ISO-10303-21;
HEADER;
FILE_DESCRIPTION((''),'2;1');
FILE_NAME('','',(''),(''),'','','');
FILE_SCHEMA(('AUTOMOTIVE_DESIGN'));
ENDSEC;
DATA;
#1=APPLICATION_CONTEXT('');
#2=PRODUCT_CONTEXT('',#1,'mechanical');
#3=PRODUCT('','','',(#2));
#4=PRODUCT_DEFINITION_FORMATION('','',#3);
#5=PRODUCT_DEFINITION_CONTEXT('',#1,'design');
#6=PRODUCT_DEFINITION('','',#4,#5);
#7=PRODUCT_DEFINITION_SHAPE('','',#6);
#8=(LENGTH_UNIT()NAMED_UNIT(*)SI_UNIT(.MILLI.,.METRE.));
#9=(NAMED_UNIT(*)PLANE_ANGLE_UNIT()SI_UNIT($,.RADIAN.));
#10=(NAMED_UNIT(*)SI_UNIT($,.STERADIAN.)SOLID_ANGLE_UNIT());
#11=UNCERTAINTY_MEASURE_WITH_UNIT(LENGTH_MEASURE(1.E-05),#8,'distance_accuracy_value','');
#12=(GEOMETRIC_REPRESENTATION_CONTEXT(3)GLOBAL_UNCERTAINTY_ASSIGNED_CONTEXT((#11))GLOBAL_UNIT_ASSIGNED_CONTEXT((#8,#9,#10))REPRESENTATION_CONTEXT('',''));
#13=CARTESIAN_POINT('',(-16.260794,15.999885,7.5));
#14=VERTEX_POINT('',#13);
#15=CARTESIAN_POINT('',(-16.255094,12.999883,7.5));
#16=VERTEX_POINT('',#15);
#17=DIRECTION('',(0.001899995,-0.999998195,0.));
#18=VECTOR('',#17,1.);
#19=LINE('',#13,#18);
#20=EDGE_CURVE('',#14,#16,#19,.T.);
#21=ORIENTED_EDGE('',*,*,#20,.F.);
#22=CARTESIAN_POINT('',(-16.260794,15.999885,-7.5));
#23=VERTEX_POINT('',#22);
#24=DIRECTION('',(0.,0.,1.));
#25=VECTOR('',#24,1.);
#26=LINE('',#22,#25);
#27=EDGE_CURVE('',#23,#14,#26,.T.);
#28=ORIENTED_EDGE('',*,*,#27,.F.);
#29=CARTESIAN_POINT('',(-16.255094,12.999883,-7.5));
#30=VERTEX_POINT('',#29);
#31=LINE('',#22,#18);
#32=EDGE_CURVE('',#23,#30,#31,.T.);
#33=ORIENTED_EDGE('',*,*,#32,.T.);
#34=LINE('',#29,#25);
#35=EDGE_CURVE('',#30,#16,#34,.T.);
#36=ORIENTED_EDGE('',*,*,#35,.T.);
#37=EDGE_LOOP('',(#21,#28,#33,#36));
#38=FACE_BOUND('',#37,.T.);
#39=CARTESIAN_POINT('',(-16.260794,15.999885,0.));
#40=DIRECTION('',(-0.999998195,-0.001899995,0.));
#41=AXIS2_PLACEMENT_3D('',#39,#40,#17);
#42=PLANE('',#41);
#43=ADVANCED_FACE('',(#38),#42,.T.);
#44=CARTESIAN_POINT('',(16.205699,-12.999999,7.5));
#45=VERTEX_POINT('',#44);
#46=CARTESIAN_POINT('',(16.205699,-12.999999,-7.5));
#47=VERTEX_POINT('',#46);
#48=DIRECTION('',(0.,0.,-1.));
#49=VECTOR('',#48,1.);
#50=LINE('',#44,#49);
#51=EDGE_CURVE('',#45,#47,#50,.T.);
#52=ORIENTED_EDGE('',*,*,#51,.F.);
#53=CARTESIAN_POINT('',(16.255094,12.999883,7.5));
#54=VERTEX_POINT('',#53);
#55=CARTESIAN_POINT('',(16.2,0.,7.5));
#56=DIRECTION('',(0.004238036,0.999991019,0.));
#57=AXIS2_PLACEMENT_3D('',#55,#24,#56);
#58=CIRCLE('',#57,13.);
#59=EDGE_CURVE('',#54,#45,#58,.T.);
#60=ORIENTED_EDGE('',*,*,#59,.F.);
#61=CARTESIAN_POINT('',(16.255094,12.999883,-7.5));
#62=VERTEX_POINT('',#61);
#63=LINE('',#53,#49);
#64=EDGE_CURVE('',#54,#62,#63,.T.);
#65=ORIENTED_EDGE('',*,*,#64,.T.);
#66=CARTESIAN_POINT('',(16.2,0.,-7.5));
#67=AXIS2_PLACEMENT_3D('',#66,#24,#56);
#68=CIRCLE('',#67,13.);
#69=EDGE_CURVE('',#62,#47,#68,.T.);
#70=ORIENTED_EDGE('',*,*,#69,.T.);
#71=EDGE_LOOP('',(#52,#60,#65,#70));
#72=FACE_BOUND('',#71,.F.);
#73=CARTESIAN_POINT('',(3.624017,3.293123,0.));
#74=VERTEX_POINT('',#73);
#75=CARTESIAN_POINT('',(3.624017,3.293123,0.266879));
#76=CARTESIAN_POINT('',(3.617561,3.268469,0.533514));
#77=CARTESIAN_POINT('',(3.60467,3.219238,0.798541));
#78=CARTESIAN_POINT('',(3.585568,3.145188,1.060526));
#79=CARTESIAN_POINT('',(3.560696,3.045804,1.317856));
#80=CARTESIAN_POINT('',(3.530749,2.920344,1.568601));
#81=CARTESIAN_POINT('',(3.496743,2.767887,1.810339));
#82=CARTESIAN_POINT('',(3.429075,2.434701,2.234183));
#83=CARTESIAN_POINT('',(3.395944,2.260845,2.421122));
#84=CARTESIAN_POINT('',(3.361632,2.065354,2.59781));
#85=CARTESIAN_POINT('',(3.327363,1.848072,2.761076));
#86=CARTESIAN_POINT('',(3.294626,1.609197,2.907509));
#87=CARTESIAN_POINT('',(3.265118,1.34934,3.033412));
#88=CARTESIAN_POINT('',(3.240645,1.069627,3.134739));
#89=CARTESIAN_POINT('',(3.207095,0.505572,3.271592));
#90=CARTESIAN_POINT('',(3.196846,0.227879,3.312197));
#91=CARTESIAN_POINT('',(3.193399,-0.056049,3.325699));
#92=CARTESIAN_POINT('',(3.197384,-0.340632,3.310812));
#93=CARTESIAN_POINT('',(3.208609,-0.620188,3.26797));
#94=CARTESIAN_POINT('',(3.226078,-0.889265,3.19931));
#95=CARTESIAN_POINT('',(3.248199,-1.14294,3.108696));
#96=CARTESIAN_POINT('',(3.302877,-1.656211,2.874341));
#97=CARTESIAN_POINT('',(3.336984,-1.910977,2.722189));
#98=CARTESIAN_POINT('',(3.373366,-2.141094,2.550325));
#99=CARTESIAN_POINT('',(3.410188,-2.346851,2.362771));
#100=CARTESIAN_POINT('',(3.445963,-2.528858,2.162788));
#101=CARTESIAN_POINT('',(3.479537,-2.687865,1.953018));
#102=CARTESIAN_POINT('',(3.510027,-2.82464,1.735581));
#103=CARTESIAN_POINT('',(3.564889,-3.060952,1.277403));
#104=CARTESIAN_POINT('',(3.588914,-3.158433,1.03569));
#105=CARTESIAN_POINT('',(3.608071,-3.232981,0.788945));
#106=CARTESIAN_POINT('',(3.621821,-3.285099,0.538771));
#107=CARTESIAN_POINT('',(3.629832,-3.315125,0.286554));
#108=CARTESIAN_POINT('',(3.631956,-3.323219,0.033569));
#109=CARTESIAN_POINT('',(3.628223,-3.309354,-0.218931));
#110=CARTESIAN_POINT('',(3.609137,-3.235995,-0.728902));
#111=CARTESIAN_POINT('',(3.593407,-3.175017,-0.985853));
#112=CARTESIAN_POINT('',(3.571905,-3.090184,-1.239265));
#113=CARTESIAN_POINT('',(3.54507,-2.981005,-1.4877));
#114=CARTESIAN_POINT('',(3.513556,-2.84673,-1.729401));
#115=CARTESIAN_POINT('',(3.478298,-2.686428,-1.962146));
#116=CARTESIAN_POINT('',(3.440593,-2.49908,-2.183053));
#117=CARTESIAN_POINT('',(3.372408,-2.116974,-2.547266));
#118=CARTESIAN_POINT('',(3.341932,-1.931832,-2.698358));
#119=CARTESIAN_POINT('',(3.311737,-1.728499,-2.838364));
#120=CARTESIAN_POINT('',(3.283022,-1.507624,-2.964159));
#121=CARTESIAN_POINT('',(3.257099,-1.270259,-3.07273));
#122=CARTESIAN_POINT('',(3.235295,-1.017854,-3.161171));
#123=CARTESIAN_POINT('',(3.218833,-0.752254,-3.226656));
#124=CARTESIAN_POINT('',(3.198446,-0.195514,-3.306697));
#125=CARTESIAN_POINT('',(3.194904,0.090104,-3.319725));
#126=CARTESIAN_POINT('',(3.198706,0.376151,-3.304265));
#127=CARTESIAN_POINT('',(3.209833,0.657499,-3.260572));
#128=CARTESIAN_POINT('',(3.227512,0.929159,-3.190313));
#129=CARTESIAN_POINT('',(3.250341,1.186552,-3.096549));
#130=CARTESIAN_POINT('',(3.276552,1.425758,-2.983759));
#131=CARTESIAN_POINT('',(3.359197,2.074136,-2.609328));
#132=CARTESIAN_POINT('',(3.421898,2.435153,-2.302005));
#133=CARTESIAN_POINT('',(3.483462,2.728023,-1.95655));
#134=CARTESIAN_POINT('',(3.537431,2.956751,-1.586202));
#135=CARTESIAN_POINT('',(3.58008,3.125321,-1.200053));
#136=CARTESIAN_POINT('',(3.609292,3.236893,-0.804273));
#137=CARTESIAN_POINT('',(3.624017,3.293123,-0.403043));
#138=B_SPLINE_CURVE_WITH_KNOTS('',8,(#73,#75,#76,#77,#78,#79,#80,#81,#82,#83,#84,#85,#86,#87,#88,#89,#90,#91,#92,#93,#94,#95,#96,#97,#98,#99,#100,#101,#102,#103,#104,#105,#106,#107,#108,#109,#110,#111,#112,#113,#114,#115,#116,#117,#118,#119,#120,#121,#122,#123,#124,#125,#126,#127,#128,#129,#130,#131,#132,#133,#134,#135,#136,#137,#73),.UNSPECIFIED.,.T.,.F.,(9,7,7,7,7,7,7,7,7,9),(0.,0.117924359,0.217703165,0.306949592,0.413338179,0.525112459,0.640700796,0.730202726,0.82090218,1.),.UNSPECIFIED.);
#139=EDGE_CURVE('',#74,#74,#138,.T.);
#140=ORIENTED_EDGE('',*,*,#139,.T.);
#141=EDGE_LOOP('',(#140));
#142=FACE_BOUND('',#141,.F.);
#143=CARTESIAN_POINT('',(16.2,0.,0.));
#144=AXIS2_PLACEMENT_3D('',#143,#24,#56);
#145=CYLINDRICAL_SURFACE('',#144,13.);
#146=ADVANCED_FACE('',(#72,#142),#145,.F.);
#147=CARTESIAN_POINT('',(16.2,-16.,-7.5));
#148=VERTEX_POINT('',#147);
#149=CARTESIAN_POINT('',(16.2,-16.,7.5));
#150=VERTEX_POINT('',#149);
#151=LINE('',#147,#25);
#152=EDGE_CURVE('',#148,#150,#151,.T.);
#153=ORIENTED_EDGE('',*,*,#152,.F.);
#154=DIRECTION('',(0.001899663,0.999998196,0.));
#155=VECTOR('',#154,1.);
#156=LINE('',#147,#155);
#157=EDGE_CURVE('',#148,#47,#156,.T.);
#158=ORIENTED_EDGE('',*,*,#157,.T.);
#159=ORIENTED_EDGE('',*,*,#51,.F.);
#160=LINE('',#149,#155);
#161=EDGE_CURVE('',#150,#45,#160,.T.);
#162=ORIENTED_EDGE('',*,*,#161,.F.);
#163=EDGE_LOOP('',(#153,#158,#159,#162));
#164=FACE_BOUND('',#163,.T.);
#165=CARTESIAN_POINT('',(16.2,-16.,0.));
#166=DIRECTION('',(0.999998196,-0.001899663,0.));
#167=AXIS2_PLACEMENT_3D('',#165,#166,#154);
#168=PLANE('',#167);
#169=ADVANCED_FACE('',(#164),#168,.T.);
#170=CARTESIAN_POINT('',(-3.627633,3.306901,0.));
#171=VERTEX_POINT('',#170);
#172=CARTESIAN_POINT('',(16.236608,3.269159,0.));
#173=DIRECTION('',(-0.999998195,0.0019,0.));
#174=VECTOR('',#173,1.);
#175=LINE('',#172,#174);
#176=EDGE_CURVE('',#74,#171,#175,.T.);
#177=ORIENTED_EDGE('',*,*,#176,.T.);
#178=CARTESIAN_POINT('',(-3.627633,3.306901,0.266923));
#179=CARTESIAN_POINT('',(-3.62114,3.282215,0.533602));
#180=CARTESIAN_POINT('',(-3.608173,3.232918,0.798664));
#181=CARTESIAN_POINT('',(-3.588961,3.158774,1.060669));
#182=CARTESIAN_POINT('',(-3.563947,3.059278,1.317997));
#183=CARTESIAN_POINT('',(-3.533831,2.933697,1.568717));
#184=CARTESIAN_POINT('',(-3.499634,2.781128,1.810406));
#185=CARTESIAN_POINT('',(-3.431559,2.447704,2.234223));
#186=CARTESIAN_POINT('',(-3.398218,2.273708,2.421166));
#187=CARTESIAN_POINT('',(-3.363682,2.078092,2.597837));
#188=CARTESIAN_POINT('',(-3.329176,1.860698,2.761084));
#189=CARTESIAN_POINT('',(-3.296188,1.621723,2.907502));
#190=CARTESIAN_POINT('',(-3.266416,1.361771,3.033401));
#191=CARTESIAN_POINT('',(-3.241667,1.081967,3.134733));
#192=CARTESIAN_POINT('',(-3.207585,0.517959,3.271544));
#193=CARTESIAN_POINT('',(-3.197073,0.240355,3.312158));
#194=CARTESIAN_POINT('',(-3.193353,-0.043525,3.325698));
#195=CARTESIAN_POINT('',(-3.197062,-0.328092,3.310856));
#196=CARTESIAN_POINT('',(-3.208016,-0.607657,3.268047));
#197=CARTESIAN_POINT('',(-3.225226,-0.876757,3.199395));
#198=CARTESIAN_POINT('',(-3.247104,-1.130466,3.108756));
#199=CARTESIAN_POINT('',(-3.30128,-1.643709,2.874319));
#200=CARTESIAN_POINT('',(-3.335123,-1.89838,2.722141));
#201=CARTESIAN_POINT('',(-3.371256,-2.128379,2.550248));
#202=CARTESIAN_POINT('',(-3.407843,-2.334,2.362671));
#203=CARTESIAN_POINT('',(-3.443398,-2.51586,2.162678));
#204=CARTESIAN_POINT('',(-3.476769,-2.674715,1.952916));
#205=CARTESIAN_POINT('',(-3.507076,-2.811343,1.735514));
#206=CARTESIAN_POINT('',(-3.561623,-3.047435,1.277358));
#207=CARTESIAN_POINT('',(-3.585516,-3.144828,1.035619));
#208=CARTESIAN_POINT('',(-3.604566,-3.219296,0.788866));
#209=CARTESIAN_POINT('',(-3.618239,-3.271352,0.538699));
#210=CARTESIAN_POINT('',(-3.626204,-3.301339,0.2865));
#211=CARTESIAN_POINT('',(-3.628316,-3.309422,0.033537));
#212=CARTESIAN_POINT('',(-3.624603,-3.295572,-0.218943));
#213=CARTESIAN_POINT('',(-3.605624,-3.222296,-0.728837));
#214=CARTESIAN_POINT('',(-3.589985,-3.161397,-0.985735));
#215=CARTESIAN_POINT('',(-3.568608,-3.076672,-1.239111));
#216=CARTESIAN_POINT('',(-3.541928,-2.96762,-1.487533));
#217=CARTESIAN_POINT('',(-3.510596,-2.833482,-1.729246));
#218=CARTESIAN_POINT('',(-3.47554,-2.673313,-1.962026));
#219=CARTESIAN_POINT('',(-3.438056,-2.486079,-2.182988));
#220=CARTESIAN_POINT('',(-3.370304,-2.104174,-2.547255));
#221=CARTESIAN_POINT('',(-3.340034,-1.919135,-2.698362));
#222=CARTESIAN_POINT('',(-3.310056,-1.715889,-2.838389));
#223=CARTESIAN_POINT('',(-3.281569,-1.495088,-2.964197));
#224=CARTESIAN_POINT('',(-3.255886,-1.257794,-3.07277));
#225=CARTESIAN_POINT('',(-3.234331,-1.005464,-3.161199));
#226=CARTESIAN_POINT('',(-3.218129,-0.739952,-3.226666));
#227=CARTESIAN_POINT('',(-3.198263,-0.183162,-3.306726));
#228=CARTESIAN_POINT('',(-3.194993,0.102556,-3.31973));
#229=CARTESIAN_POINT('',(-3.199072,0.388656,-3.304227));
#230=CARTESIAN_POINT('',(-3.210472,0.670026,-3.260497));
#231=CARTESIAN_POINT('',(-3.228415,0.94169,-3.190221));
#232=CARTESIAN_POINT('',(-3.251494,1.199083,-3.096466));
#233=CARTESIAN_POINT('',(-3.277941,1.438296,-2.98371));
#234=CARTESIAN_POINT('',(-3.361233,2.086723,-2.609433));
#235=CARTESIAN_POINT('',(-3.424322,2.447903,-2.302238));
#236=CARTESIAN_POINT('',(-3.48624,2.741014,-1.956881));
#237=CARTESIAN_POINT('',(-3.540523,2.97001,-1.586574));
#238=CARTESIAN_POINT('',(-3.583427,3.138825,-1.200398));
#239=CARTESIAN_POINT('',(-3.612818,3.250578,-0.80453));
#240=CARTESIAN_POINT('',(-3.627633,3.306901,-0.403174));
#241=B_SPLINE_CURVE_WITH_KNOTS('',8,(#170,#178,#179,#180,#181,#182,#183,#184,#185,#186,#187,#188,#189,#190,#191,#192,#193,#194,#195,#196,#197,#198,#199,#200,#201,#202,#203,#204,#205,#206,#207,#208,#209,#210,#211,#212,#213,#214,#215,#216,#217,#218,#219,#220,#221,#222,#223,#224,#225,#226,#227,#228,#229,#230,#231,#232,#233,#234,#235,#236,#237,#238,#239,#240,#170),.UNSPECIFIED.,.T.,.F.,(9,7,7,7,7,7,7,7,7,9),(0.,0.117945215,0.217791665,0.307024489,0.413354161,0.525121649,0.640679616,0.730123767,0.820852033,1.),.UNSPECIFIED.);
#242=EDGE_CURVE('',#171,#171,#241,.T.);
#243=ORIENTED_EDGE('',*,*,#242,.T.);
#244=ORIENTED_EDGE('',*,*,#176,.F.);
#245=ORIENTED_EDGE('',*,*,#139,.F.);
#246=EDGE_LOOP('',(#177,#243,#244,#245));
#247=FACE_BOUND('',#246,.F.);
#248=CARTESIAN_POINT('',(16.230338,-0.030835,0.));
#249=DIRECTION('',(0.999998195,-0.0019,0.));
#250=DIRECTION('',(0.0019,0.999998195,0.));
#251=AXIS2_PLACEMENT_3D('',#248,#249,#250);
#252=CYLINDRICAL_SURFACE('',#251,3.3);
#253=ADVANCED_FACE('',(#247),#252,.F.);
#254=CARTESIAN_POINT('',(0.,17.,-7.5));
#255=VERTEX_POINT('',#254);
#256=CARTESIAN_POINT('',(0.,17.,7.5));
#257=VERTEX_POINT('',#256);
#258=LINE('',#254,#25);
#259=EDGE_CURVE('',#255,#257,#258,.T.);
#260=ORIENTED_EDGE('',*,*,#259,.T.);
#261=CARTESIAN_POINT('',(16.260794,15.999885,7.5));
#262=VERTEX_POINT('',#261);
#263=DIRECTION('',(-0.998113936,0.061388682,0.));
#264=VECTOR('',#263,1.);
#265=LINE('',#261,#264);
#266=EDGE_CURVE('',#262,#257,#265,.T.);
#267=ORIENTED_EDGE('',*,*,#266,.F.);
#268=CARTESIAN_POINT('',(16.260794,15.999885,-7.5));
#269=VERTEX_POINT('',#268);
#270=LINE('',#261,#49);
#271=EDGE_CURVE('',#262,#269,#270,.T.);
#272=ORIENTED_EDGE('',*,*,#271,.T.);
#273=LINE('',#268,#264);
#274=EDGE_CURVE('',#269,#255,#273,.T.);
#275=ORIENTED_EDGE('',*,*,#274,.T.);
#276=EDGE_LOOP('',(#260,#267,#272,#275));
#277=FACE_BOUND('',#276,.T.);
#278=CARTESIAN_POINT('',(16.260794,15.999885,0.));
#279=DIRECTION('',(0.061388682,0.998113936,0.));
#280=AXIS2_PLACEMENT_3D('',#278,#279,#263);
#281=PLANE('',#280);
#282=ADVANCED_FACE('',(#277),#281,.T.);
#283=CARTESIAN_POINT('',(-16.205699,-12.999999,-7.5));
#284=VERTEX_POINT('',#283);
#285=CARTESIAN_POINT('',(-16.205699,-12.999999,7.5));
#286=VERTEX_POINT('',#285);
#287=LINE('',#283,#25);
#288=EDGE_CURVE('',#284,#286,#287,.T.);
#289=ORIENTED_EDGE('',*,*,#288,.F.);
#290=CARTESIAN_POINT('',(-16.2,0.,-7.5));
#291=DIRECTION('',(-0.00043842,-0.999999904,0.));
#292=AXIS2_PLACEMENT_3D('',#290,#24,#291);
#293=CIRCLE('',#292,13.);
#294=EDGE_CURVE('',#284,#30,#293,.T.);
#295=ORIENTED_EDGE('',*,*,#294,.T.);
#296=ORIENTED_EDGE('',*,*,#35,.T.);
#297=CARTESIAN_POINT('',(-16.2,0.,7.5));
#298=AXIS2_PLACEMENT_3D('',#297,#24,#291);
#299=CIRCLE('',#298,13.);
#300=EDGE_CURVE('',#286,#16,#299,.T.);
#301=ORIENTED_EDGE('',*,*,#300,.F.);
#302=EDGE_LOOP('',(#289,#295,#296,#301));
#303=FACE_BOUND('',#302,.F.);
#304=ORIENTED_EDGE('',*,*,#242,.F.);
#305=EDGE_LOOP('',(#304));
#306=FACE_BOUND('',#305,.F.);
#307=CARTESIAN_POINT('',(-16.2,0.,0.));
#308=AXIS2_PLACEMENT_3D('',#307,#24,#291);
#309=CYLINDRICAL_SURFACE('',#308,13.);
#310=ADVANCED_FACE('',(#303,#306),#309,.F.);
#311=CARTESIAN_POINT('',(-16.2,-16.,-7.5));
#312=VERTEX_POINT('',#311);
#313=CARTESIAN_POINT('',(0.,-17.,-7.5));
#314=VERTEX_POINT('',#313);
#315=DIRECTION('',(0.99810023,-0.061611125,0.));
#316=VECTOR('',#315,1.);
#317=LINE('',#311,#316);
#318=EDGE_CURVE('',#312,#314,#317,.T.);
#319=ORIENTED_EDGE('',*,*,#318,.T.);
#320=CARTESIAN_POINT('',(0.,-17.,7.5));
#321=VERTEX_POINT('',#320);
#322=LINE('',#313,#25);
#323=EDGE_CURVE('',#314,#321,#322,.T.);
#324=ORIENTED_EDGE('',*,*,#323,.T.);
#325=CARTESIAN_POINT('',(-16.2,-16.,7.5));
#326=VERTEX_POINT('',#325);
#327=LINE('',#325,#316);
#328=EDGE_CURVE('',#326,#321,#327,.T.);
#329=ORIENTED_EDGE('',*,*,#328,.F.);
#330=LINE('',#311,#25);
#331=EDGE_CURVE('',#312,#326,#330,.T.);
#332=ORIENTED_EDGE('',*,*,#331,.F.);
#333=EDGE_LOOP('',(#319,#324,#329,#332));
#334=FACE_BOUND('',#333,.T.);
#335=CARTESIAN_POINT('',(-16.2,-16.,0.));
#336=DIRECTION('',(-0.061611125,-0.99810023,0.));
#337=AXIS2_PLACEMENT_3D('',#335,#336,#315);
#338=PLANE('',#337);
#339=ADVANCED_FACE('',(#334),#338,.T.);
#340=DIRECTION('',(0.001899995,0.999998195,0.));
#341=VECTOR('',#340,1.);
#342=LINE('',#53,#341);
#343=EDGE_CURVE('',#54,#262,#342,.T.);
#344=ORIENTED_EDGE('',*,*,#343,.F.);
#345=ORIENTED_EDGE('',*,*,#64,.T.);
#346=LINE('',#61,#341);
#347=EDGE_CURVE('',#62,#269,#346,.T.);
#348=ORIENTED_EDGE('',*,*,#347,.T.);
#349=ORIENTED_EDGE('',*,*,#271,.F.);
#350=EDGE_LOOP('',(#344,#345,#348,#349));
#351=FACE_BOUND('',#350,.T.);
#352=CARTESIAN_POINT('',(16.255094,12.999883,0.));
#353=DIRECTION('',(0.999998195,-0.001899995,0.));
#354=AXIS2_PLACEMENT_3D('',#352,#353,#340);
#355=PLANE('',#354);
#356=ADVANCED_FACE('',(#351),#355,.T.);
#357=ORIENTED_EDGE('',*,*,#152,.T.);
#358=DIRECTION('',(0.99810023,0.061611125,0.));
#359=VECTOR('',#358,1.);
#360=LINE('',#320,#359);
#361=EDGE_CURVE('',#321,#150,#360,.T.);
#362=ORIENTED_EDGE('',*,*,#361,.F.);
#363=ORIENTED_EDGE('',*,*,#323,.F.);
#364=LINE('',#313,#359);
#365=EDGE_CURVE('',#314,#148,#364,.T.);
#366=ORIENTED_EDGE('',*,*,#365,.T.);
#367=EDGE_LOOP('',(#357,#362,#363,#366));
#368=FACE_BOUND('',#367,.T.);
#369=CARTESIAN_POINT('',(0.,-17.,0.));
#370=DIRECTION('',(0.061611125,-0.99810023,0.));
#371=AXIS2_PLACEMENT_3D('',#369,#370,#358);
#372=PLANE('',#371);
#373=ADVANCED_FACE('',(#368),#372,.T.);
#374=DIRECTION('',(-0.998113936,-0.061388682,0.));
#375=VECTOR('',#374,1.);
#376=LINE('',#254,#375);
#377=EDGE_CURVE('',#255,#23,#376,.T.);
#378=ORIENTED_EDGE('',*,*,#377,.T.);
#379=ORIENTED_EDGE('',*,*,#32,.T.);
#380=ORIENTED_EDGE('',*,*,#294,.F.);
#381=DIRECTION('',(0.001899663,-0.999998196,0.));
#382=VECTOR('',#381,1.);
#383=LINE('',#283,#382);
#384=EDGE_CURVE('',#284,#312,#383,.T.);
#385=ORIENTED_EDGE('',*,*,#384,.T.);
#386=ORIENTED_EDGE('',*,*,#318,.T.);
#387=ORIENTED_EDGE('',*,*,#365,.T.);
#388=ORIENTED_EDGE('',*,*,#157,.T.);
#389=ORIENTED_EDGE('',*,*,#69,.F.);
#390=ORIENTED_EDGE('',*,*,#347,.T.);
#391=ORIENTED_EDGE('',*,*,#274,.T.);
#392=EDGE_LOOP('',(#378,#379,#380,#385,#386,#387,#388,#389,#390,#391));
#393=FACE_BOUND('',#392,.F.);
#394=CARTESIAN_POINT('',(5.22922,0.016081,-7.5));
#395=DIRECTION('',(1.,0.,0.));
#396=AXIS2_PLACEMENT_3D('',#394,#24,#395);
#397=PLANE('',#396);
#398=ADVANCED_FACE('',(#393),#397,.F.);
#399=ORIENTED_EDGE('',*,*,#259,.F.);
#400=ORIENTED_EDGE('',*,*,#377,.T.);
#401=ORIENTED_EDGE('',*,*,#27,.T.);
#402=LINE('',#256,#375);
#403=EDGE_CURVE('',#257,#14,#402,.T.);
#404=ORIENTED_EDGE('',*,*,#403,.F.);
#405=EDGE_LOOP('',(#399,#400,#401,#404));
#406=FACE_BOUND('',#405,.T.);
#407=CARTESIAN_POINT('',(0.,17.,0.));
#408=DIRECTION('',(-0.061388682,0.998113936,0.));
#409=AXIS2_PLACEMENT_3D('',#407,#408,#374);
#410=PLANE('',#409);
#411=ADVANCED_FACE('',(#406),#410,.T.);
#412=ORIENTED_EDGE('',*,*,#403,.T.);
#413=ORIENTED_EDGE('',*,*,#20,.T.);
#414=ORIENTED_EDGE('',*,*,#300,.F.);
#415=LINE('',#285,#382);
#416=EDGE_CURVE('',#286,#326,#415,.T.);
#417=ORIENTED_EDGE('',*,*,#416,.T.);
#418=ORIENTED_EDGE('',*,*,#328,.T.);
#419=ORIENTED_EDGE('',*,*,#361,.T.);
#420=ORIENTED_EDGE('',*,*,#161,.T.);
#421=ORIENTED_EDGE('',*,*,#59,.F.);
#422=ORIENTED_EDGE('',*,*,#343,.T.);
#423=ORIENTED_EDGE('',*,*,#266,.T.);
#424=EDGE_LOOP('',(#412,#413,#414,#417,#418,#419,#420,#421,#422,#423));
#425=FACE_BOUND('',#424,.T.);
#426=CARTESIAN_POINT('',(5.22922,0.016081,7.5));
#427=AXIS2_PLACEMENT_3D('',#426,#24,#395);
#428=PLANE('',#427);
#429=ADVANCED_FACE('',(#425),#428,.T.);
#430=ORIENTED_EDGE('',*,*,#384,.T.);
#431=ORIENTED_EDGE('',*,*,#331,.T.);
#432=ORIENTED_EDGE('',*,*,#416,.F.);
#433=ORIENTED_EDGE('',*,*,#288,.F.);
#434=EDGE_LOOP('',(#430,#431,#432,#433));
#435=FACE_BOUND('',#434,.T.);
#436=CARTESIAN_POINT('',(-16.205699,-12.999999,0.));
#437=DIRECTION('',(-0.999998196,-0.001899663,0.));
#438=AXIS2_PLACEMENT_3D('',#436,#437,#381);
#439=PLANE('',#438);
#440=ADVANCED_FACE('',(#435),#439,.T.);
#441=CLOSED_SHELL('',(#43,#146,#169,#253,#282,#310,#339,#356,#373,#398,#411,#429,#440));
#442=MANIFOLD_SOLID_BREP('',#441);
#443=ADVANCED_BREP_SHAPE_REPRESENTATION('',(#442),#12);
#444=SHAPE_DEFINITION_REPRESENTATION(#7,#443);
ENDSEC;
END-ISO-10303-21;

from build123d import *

# Parameters (mm, degrees)
F1_DEPTH = 7.5
F2_DEPTH = 12.5
F3_DEPTH = 12.5
F4_R     = 3.3
F4_R_2   = 3.05
F5_DEPTH = 25


with BuildPart() as f1:
    # F0 (on Top) → F1 (new body, symmetric)
    with BuildSketch(Plane.XY):
        with BuildLine():
            ThreePointArc((16.2, -16), (0.200029, 0.030397), (16.260794, 15.999885))
            Line((16.260794, 15.999885), (0, 17))
            Line((0, 17), (0, -17))
            Line((0, -17), (16.2, -16))
        make_face()
        with BuildLine():
            Line((16.255094, 12.999883), (16.260794, 15.999885))
            ThreePointArc((16.260794, 15.999885), (0.200029, 0.030397), (16.2, -16))
            Line((16.2, -16), (16.205699, -12.999999))
            ThreePointArc((16.205699, -12.999999), (3.200023, 0.024697), (16.255094, 12.999883))
        make_face()
        with BuildLine():
            Line((16.205699, -12.999999), (16.255094, 12.999883))
            ThreePointArc((16.255094, 12.999883), (3.200023, 0.024697), (16.205699, -12.999999))
        make_face()
        with BuildLine():
            Line((0, -17), (0, 17))
            Line((0, 17), (-16.260794, 15.999885))
            ThreePointArc((-16.260794, 15.999885), (-0.200029, 0.030397), (-16.2, -16))
            Line((-16.2, -16), (0, -17))
        make_face()
        with BuildLine():
            ThreePointArc((-16.2, -16), (-0.200029, 0.030397), (-16.260794, 15.999885))
            Line((-16.260794, 15.999885), (-16.255094, 12.999883))
            ThreePointArc((-16.255094, 12.999883), (-3.200023, 0.024697), (-16.205699, -12.999999))
            Line((-16.205699, -12.999999), (-16.2, -16))
        make_face()
        with BuildLine():
            ThreePointArc((-16.205699, -12.999999), (-3.200023, 0.024697), (-16.255094, 12.999883))
            Line((-16.255094, 12.999883), (-16.205699, -12.999999))
        make_face()
    extrude(amount=F1_DEPTH, both=True)

    # F0 (on Top) → F2 (cut, symmetric)
    with BuildSketch(Plane.XY):
        with BuildLine():
            ThreePointArc((-16.205699, -12.999999), (-3.200023, 0.024697), (-16.255094, 12.999883))
            Line((-16.255094, 12.999883), (-16.205699, -12.999999))
        make_face()
    extrude(amount=F2_DEPTH, both=True, mode=Mode.SUBTRACT)

    # F0 (on Top) → F3 (cut, symmetric)
    with BuildSketch(Plane.XY):
        with BuildLine():
            Line((16.205699, -12.999999), (16.255094, 12.999883))
            ThreePointArc((16.255094, 12.999883), (3.200023, 0.024697), (16.205699, -12.999999))
        make_face()
    extrude(amount=F3_DEPTH, both=True, mode=Mode.SUBTRACT)

    # F4 (on face) → F5 (cut)
    with BuildSketch(Plane(origin=(16.230338, -0.030835, 0), x_dir=(0.0019, 0.999998, 0), z_dir=(0.999998, -0.0019, 0))):
        Circle(F4_R)
        Circle(F4_R_2, mode=Mode.SUBTRACT)
        Circle(F4_R_2)
    extrude(amount=-F5_DEPTH, mode=Mode.SUBTRACT)


solid = f1.part
